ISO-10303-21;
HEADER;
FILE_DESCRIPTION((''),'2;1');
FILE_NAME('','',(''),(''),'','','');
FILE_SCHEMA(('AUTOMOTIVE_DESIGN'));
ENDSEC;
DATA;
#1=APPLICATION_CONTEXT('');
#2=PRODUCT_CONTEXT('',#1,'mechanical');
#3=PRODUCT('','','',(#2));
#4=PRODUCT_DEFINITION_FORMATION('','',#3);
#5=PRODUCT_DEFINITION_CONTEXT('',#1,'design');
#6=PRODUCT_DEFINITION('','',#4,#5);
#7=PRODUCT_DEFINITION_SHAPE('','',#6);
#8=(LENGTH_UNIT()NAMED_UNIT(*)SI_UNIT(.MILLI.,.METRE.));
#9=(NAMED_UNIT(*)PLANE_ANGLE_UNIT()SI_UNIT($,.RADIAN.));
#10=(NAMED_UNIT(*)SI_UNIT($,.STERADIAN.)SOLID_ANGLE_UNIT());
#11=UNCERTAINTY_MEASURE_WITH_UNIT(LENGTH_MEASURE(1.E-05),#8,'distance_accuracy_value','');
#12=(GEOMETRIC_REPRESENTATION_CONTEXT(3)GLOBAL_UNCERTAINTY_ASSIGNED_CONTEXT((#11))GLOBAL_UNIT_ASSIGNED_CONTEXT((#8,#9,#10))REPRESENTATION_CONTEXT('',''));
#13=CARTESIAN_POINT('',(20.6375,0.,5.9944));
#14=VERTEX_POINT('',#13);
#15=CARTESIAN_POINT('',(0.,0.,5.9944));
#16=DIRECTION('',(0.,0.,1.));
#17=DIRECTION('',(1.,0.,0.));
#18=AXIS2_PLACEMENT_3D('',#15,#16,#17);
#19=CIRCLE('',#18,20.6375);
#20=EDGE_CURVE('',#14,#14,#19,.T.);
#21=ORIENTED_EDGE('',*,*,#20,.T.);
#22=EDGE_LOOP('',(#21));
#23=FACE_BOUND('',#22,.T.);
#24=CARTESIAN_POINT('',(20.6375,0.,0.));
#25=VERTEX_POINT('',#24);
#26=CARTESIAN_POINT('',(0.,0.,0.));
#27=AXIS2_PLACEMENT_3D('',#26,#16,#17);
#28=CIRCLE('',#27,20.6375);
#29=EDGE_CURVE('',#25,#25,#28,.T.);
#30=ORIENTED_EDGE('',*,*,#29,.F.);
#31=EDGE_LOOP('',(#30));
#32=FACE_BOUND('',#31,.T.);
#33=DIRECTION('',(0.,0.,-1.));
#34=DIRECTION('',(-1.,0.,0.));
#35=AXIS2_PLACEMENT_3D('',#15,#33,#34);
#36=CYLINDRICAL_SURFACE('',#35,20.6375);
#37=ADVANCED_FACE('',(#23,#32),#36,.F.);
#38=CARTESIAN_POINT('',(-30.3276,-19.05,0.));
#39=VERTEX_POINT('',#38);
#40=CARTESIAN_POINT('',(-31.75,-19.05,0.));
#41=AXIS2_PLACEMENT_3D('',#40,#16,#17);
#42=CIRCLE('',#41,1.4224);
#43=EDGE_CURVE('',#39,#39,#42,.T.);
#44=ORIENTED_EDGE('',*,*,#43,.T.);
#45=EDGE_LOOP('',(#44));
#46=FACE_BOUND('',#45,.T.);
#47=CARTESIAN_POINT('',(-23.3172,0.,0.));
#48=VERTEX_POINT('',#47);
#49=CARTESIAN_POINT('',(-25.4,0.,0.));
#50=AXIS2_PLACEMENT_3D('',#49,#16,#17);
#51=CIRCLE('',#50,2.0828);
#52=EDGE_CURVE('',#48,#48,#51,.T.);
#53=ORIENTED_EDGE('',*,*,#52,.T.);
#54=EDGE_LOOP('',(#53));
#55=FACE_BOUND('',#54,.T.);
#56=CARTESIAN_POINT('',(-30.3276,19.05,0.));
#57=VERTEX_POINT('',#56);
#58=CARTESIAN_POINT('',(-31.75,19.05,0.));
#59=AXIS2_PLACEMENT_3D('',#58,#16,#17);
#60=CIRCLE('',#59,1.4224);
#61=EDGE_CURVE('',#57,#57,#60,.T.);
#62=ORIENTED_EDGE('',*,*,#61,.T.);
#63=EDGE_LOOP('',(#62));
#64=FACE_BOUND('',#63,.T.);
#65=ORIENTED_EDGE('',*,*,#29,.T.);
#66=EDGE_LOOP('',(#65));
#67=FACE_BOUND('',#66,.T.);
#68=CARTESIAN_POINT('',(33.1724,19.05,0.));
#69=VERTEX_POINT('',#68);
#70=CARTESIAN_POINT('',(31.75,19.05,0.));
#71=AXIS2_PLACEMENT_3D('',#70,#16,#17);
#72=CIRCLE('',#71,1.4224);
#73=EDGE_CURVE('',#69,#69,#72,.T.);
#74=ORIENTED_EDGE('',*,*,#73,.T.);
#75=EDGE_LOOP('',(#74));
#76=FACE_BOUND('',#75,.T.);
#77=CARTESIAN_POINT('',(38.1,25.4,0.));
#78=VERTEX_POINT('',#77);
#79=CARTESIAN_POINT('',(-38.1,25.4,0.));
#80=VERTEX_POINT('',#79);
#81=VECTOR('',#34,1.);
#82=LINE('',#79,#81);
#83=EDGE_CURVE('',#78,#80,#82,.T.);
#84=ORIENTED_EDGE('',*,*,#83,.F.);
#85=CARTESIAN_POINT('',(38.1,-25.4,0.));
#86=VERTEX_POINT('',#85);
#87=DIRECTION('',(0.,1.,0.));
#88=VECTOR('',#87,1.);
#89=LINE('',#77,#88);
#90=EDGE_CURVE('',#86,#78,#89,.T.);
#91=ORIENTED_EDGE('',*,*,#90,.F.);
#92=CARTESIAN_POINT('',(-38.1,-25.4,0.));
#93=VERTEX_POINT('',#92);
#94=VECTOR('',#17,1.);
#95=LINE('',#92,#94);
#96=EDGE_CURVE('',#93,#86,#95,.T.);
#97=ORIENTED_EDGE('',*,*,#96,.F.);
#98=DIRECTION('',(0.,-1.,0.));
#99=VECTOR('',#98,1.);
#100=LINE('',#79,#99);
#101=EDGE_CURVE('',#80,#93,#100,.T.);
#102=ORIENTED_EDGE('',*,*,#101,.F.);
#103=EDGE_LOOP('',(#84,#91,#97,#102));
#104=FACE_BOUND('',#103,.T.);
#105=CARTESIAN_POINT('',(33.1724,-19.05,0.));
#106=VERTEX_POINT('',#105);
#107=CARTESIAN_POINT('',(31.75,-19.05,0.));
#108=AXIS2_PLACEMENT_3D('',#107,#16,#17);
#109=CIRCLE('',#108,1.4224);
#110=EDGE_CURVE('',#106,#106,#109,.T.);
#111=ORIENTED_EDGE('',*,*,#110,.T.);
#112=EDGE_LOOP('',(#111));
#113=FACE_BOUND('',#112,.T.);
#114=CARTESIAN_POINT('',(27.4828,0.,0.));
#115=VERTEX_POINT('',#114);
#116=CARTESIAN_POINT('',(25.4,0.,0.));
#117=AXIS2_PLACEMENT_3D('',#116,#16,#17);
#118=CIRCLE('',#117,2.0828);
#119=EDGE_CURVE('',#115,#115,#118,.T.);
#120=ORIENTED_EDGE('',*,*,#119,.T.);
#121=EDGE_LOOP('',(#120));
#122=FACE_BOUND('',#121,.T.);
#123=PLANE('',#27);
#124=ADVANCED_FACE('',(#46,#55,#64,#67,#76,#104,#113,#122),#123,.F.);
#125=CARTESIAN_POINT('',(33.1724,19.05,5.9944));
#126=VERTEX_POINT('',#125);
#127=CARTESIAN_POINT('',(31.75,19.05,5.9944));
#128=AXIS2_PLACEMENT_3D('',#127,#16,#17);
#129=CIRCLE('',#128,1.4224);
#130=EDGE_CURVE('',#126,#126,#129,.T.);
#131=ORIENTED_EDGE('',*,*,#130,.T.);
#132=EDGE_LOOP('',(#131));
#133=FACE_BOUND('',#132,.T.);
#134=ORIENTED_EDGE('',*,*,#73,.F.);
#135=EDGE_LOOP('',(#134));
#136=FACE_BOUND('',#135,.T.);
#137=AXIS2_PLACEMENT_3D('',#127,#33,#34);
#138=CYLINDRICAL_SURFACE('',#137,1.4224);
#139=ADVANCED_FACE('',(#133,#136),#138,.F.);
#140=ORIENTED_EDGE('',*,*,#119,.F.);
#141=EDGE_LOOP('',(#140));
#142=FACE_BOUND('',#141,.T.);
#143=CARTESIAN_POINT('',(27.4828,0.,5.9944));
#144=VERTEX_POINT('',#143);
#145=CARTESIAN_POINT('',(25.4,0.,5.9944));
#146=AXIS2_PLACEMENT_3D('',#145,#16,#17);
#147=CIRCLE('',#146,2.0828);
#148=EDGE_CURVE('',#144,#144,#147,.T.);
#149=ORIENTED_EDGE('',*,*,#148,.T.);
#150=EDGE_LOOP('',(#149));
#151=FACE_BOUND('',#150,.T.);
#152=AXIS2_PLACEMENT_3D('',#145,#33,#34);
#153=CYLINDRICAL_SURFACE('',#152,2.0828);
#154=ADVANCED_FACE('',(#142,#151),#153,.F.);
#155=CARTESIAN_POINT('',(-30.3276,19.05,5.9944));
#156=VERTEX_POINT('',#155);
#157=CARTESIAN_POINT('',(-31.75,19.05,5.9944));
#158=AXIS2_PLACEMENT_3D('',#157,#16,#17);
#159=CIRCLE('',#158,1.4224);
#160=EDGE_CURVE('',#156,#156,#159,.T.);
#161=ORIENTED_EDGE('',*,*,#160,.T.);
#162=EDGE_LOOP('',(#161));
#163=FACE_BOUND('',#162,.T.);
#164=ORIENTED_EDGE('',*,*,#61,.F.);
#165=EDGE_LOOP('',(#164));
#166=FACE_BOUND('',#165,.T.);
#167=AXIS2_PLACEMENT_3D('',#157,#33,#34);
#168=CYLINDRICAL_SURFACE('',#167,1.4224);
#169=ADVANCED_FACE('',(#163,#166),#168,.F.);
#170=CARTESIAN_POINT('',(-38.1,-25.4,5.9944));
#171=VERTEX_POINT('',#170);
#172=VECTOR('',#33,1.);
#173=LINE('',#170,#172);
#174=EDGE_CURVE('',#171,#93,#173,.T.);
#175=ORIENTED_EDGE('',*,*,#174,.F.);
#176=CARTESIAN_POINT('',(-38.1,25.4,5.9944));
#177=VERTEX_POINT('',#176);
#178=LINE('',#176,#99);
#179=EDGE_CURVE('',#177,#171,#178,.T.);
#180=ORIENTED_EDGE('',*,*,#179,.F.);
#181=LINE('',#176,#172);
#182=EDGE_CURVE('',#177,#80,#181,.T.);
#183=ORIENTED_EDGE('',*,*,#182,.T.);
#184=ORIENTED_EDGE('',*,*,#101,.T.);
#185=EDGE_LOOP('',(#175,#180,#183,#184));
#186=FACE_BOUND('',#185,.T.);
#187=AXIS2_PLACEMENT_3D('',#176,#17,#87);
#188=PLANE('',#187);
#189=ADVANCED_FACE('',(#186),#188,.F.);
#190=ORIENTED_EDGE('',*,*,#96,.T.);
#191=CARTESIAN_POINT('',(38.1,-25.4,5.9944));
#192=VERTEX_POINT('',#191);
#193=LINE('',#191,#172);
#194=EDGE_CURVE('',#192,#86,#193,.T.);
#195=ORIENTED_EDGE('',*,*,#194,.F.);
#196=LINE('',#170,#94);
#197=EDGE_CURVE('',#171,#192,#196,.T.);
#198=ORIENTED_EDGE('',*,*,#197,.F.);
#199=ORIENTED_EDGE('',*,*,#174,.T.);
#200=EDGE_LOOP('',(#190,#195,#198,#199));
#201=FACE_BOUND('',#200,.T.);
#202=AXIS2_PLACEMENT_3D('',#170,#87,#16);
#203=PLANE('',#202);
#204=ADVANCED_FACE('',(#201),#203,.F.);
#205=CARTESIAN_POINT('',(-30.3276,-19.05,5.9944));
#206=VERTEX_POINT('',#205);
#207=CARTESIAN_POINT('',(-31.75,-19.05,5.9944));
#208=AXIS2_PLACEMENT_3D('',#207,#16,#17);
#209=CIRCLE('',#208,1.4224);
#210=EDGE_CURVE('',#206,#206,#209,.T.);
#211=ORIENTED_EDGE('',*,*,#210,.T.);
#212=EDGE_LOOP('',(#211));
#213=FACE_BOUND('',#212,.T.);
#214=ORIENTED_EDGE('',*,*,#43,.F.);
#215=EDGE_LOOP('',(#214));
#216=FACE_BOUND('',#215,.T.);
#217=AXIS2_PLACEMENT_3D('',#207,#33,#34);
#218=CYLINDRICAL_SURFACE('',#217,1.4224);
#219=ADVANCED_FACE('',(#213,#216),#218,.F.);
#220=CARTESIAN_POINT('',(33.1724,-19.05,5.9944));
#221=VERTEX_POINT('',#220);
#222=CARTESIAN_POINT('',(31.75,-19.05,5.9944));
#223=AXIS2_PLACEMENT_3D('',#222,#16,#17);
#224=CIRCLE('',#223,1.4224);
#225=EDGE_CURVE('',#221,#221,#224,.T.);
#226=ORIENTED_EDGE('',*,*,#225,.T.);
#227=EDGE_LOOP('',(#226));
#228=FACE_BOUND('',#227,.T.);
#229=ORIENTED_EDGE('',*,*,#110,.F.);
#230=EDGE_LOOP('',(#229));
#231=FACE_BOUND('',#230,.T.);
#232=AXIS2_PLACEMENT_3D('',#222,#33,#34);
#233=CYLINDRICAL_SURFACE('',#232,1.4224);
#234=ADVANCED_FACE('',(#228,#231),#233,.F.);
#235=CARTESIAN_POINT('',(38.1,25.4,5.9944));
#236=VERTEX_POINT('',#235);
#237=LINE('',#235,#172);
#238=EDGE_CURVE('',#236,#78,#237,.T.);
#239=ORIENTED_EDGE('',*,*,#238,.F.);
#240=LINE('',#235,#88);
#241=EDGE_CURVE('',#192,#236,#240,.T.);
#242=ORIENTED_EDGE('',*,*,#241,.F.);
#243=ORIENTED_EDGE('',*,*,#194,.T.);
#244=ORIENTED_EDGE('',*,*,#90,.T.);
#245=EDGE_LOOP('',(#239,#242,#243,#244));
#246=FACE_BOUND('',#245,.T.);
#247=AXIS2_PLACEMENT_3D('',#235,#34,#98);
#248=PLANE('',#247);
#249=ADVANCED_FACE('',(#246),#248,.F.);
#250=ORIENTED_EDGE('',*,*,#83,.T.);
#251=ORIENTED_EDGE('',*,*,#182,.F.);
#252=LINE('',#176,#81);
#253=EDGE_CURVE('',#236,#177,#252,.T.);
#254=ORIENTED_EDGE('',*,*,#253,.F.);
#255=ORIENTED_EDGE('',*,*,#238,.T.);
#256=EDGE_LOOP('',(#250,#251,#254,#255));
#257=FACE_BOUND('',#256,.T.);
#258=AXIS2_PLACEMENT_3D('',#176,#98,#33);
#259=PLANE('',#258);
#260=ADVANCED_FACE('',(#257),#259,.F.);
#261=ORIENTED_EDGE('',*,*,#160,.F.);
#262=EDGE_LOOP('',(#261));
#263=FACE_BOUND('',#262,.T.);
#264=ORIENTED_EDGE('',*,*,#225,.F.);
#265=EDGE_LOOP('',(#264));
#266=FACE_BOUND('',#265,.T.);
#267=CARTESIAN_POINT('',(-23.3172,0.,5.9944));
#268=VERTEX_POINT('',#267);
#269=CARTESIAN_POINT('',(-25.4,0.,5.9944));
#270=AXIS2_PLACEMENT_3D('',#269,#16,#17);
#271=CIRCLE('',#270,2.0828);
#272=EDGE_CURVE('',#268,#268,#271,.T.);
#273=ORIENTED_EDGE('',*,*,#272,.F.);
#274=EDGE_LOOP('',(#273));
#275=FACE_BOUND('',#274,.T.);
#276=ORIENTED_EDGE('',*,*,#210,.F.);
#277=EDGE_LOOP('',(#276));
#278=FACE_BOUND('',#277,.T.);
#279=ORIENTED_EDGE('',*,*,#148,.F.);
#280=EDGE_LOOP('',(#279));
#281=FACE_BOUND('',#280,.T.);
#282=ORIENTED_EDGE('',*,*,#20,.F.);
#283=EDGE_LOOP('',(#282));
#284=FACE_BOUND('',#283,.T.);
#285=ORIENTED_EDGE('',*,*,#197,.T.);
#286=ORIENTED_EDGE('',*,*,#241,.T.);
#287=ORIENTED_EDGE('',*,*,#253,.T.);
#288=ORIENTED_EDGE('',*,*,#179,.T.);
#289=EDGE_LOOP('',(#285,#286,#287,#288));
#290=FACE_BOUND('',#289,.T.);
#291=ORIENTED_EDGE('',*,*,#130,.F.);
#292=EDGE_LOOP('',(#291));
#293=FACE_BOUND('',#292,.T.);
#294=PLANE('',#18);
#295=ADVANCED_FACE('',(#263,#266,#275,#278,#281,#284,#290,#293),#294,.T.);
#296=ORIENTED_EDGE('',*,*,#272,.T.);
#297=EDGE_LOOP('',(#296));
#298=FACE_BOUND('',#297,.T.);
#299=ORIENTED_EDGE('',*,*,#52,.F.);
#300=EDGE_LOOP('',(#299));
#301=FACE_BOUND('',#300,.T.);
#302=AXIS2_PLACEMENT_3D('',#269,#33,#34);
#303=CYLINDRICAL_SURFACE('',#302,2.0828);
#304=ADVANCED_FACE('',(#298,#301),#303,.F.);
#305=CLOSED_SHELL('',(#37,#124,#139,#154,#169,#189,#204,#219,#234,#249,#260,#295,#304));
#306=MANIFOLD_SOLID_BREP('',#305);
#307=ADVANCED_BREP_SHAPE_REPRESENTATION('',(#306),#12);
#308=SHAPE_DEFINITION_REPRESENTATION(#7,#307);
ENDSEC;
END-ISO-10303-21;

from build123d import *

# Parameters (mm, degrees)
SKETCH1_W           = 76.2
SKETCH1_H           = 50.8
SKETCH1_R           = 20.6375
SKETCH1_R_2         = 2.0828
SKETCH1_R_3         = 1.4224
BOSS_EXTRUDE1_DEPTH = 5.9944


with BuildPart() as part:
    # Sketch1 → Boss-Extrude1 (new body)
    with BuildSketch(Plane.XY):
        Rectangle(SKETCH1_W, SKETCH1_H)
        Circle(SKETCH1_R, mode=Mode.SUBTRACT)
        with Locations((-25.4, 0)):
            Circle(SKETCH1_R_2, mode=Mode.SUBTRACT)
        with Locations((25.4, 0)):
            Circle(SKETCH1_R_2, mode=Mode.SUBTRACT)
        with Locations((-31.75, 19.05)):
            Circle(SKETCH1_R_3, mode=Mode.SUBTRACT)
        with Locations((-31.75, -19.05)):
            Circle(SKETCH1_R_3, mode=Mode.SUBTRACT)
        with Locations((31.75, -19.05)):
            Circle(SKETCH1_R_3, mode=Mode.SUBTRACT)
        with Locations((31.75, 19.05)):
            Circle(SKETCH1_R_3, mode=Mode.SUBTRACT)
    extrude(amount=BOSS_EXTRUDE1_DEPTH)


solid = part.part
